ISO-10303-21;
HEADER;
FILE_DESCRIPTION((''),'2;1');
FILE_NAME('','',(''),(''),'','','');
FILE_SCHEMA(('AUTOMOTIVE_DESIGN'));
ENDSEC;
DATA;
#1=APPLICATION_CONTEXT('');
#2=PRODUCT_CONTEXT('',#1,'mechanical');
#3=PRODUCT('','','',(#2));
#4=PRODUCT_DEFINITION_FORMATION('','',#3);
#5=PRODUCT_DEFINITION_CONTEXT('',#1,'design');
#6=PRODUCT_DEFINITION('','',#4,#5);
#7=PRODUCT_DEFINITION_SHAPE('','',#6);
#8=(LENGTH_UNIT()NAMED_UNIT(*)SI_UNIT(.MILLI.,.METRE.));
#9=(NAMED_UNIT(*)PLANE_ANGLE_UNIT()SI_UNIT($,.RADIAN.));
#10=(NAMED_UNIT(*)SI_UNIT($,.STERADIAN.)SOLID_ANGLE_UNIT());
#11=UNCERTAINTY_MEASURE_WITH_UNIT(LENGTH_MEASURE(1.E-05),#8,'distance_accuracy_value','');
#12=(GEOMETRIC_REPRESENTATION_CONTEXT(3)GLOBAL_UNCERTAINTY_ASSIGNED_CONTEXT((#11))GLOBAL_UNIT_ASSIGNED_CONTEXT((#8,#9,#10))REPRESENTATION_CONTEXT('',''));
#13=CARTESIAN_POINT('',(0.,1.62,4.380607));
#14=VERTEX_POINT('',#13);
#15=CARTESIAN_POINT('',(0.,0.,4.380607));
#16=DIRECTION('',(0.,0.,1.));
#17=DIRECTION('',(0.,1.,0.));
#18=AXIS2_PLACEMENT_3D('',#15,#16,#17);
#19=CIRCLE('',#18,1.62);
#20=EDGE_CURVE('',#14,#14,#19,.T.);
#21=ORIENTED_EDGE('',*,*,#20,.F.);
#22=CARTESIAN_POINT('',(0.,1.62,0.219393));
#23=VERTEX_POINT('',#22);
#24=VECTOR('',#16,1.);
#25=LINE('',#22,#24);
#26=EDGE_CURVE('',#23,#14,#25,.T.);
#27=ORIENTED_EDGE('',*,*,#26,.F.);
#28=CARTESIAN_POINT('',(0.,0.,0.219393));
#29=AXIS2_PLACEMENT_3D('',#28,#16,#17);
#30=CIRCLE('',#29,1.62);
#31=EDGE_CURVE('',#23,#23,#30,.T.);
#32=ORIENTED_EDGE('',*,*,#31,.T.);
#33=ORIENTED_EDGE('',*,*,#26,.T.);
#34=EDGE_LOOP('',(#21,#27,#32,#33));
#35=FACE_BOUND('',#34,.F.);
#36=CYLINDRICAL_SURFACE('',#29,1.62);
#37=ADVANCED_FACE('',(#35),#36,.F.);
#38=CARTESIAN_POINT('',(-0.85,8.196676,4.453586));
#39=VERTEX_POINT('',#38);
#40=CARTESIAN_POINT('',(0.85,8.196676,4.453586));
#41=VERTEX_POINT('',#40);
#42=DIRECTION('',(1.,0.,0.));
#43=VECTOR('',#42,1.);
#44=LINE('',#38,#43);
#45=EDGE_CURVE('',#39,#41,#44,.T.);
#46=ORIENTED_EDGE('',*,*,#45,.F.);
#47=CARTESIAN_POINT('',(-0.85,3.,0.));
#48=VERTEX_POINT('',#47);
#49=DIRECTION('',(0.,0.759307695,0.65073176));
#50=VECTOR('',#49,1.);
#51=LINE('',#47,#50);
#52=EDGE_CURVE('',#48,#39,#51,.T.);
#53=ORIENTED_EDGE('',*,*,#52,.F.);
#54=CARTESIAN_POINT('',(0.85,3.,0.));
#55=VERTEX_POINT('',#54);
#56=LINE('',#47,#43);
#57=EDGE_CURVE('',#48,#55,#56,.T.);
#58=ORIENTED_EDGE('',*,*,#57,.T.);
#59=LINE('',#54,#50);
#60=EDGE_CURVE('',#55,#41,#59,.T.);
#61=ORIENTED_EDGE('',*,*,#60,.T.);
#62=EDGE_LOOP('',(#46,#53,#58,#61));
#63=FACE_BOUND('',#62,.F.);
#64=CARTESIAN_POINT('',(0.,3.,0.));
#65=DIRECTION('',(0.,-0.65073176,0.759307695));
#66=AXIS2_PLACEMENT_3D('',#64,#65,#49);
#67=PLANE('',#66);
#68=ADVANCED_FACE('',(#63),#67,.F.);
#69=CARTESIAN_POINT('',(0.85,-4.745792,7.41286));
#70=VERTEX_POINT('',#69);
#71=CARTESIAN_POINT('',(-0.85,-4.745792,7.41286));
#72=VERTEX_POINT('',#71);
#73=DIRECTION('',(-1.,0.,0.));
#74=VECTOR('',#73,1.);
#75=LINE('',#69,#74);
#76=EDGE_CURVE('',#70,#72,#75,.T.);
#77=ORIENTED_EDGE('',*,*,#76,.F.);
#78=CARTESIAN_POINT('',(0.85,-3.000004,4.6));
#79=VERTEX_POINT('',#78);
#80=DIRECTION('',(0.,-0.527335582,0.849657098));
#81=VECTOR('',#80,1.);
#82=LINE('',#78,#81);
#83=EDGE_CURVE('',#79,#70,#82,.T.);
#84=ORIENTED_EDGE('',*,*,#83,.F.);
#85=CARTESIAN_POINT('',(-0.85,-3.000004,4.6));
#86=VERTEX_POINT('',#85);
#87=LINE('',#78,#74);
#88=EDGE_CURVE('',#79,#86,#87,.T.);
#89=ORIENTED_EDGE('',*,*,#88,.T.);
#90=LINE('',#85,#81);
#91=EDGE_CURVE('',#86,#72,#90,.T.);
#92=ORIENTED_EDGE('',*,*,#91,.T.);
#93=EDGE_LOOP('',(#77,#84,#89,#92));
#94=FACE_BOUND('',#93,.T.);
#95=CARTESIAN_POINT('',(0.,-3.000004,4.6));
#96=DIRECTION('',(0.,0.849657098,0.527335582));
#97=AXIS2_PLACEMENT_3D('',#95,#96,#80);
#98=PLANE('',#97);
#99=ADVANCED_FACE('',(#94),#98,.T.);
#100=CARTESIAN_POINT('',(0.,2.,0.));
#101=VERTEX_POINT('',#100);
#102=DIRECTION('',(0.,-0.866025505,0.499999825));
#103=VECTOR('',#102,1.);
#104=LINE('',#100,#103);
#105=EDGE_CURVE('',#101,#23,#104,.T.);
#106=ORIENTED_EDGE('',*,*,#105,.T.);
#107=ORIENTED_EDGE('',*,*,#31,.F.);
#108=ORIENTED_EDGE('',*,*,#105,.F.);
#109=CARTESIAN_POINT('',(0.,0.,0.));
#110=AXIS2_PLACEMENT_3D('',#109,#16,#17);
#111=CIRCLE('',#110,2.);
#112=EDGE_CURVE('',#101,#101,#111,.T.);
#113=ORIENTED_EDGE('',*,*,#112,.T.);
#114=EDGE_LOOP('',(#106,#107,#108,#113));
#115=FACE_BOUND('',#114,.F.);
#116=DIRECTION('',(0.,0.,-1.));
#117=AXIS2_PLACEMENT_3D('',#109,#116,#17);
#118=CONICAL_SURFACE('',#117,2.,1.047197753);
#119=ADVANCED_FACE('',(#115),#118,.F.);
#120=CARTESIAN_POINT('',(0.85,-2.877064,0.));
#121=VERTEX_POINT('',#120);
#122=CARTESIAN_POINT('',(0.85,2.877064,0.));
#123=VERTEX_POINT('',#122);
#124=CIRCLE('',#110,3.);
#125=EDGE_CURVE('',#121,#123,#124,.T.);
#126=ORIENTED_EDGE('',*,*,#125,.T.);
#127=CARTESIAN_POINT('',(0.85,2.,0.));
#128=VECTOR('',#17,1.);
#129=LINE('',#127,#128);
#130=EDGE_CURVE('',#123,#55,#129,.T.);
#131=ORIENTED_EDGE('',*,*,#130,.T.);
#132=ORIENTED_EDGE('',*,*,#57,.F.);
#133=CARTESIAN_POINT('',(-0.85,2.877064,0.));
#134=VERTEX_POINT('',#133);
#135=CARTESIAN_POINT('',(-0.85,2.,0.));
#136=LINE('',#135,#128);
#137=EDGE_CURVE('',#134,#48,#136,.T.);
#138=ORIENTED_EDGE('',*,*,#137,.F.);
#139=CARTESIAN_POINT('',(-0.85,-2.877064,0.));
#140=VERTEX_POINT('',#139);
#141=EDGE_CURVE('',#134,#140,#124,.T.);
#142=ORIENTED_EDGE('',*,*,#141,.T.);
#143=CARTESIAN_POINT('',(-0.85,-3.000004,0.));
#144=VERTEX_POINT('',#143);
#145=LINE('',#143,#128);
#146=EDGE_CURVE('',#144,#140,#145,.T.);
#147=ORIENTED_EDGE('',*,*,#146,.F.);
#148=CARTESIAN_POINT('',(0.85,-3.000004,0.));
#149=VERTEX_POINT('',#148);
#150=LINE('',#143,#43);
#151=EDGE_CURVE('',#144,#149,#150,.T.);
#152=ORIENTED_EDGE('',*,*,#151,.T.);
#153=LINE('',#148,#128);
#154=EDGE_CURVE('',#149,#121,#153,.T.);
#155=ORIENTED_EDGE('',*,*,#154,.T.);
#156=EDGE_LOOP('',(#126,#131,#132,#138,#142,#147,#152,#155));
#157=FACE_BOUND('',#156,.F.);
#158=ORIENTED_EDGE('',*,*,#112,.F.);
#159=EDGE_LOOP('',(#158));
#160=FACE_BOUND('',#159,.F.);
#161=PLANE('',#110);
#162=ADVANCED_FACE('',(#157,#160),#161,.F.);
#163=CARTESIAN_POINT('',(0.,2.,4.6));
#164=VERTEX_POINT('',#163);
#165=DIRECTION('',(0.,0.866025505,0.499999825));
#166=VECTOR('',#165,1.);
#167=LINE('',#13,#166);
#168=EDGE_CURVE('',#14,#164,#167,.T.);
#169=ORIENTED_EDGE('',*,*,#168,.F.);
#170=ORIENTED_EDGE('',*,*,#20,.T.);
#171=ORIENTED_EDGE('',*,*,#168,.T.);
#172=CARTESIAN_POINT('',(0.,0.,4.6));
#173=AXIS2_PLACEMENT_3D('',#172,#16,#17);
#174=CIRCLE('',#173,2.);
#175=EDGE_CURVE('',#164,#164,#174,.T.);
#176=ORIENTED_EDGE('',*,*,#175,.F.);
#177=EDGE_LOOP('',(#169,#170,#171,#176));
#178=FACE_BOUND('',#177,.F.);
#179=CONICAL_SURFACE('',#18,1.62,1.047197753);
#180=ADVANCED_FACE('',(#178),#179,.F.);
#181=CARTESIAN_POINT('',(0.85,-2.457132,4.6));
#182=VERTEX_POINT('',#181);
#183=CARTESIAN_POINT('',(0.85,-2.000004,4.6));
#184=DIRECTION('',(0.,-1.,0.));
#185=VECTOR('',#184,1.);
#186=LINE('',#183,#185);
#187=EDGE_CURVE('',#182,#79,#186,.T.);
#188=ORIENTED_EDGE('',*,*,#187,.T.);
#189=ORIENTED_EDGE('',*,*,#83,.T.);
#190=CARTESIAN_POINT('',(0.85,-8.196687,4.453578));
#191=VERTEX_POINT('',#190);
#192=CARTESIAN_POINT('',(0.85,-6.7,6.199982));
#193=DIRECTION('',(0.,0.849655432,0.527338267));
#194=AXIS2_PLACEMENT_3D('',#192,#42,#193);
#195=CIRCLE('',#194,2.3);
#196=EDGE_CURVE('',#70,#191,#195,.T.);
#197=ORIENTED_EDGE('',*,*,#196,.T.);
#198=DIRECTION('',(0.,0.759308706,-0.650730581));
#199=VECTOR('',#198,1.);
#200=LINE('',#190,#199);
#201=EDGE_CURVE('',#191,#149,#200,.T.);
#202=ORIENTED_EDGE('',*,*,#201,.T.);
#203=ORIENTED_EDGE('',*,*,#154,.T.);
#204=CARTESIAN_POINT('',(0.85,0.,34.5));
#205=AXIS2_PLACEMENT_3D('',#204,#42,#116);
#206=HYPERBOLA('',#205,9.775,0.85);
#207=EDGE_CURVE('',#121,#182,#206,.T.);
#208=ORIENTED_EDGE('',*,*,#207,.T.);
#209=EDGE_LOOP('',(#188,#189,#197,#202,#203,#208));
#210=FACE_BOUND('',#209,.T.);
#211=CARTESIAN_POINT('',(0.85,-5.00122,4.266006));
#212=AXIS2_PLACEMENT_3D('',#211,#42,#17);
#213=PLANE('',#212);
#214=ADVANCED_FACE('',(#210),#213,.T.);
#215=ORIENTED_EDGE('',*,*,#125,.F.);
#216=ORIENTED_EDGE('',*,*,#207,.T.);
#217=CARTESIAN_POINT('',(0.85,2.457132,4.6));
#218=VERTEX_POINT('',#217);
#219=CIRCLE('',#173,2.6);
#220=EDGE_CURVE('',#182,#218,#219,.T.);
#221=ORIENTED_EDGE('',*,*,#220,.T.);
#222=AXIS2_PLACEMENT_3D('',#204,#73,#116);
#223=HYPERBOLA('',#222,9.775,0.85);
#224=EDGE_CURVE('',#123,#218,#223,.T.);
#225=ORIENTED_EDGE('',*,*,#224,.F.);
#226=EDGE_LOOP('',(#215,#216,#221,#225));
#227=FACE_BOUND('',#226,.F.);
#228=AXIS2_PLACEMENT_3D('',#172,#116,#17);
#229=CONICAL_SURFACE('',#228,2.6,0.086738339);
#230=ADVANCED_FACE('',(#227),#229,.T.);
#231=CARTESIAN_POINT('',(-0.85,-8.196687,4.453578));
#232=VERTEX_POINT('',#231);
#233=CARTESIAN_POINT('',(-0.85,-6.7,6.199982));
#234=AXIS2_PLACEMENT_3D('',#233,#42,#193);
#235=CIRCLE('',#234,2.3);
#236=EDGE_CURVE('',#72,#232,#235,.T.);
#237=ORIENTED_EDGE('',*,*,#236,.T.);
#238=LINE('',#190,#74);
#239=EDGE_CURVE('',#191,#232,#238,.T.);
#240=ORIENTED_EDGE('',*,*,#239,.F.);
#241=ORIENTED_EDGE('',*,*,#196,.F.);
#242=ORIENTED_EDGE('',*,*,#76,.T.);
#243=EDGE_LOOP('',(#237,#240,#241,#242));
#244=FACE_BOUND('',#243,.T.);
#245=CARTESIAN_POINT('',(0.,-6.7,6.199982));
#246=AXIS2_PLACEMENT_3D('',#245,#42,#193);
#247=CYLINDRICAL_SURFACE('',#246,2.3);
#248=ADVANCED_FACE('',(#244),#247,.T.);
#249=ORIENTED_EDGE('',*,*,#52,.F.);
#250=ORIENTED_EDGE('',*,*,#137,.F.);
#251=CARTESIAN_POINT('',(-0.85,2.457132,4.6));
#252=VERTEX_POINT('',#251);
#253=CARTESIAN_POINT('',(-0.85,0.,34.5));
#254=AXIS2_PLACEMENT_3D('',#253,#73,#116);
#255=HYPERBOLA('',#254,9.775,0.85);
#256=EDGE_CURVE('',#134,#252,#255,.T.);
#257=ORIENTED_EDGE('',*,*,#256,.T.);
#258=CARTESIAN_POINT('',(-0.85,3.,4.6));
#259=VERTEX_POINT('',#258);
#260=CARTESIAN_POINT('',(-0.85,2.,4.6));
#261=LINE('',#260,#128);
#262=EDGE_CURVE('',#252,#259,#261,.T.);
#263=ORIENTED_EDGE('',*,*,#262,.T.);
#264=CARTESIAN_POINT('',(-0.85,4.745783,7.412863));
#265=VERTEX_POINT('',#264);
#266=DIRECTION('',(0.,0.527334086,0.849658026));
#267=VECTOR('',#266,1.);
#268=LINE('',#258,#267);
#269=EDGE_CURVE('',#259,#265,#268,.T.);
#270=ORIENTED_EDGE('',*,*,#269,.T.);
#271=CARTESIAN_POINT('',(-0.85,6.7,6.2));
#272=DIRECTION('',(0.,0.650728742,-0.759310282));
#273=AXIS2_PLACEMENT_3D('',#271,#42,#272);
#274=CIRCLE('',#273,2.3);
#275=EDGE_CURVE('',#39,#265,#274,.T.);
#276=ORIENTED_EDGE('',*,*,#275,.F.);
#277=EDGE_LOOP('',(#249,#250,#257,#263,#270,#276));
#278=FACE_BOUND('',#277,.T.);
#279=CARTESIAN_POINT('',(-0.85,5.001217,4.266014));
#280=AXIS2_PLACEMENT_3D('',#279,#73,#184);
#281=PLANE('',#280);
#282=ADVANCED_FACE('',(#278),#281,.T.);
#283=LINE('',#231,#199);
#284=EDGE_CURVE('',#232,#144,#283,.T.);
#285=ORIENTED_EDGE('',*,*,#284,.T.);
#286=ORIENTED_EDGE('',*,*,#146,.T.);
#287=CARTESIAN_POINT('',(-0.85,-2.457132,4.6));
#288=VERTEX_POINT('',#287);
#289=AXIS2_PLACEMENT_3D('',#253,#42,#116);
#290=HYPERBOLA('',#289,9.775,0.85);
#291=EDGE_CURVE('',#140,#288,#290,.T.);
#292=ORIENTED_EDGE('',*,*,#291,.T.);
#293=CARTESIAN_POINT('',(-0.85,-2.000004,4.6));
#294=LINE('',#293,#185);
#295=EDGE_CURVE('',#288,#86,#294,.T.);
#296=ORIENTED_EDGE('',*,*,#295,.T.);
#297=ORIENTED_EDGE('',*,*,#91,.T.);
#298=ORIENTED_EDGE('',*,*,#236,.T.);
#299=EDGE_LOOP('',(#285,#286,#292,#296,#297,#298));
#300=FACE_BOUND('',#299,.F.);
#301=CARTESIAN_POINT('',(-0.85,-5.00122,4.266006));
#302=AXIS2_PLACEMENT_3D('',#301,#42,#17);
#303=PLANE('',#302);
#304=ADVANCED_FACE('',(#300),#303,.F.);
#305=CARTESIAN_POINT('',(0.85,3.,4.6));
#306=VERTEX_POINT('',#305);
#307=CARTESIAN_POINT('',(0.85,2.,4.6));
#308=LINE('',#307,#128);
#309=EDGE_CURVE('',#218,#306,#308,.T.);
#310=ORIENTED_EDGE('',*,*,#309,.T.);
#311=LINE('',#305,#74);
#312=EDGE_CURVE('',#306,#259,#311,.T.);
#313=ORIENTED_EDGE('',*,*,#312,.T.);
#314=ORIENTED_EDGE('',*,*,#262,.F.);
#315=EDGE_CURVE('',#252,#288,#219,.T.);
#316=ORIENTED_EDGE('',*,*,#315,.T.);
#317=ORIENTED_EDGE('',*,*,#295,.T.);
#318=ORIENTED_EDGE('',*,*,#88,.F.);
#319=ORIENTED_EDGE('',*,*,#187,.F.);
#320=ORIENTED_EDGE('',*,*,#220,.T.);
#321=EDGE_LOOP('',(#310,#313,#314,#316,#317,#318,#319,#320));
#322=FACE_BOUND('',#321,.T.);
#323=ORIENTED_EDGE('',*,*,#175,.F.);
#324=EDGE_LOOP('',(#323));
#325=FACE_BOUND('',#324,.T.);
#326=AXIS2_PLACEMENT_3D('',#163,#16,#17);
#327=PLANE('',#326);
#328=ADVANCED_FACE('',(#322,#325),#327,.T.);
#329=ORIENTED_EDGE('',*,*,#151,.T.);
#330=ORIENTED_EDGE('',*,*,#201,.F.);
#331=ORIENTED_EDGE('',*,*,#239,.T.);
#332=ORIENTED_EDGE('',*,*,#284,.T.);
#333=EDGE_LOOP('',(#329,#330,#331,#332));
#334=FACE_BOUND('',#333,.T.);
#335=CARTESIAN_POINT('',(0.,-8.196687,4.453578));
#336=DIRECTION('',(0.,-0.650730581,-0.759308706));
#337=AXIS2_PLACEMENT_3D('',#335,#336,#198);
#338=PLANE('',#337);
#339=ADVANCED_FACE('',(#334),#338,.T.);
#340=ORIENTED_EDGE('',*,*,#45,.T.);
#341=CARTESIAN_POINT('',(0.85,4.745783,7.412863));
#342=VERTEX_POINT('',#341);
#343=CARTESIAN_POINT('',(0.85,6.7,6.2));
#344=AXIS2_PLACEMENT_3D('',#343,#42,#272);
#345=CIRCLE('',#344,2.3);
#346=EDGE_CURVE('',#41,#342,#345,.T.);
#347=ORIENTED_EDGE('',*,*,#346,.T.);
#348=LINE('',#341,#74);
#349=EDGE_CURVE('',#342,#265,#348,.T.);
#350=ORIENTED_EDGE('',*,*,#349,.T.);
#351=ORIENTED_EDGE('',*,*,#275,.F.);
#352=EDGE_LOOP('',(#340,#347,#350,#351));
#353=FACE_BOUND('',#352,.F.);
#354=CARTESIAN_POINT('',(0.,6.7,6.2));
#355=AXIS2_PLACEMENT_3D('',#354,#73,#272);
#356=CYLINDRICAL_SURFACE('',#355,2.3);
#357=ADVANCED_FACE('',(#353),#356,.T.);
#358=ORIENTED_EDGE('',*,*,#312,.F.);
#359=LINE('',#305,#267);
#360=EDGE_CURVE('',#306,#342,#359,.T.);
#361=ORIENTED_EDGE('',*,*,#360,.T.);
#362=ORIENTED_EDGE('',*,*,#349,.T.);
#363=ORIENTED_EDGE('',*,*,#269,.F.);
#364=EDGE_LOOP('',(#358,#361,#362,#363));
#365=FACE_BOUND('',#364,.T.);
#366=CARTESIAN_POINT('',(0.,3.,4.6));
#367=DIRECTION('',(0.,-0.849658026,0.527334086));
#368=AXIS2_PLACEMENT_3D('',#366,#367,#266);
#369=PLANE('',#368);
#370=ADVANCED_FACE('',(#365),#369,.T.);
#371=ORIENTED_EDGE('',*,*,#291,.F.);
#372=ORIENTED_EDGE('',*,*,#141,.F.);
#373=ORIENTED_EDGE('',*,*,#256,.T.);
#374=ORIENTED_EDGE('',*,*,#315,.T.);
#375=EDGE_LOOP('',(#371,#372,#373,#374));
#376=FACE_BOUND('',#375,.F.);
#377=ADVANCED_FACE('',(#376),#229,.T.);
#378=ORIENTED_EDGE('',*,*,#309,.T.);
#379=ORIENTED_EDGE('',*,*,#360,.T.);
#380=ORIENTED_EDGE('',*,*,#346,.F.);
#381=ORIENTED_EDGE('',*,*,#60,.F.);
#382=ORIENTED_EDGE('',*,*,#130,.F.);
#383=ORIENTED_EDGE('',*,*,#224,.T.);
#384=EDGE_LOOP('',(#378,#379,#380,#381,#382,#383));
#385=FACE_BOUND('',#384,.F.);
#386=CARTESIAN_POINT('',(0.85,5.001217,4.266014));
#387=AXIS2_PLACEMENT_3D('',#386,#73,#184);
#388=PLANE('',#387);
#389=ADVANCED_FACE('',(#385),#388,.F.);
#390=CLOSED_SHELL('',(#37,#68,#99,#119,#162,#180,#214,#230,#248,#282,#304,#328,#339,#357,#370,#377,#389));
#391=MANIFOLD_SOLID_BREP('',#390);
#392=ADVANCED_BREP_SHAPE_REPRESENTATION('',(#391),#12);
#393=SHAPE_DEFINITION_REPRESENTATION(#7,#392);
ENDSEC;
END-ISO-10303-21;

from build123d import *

# Parameters (mm, degrees)
PAD_DEPTH = 0.85


with BuildPart() as pad:
    # Sketch001 → Pad (new body, symmetric)
    with BuildSketch(Plane.YZ):
        with BuildLine():
            Line((2, 0), (2, 4.6))
            Line((2, 4.6), (3, 4.6))
            Line((3, 4.6), (4.745783, 7.412863))
            ThreePointArc((8.196676, 4.453586), (8.197219, 7.945948), (4.745783, 7.412863))
            Line((3, 0), (8.196676, 4.453586))
            Line((2, 0), (3, 0))
        make_face()
        with BuildLine():
            Line((-8.196687, 4.453578), (-3.000004, 0))
            Line((-3.000004, 0), (-2.000004, 0))
            Line((-2.000004, 0), (-2.000004, 4.6))
            Line((-2.000004, 4.6), (-3.000004, 4.6))
            Line((-3.000004, 4.6), (-4.745792, 7.41286))
            ThreePointArc((-4.745792, 7.41286), (-8.19722, 7.945929), (-8.196687, 4.453578))
        make_face()
    extrude(amount=PAD_DEPTH, both=True)


with BuildPart() as fl_gelmutter_din_315_m4:
    # Sketch → Revolution (revolve)
    with BuildSketch(Plane.YZ):
        Polygon((2, 0), (1.62, 0.219393), (1.62, 4.380607), (2, 4.6), (2.6, 4.6), (3, 0), align=None)
    revolve(axis=Axis((0, 0, 0), (0, 0, 1)))

    # Fusion: union Pad
    add(pad.part)


solid = fl_gelmutter_din_315_m4.part
